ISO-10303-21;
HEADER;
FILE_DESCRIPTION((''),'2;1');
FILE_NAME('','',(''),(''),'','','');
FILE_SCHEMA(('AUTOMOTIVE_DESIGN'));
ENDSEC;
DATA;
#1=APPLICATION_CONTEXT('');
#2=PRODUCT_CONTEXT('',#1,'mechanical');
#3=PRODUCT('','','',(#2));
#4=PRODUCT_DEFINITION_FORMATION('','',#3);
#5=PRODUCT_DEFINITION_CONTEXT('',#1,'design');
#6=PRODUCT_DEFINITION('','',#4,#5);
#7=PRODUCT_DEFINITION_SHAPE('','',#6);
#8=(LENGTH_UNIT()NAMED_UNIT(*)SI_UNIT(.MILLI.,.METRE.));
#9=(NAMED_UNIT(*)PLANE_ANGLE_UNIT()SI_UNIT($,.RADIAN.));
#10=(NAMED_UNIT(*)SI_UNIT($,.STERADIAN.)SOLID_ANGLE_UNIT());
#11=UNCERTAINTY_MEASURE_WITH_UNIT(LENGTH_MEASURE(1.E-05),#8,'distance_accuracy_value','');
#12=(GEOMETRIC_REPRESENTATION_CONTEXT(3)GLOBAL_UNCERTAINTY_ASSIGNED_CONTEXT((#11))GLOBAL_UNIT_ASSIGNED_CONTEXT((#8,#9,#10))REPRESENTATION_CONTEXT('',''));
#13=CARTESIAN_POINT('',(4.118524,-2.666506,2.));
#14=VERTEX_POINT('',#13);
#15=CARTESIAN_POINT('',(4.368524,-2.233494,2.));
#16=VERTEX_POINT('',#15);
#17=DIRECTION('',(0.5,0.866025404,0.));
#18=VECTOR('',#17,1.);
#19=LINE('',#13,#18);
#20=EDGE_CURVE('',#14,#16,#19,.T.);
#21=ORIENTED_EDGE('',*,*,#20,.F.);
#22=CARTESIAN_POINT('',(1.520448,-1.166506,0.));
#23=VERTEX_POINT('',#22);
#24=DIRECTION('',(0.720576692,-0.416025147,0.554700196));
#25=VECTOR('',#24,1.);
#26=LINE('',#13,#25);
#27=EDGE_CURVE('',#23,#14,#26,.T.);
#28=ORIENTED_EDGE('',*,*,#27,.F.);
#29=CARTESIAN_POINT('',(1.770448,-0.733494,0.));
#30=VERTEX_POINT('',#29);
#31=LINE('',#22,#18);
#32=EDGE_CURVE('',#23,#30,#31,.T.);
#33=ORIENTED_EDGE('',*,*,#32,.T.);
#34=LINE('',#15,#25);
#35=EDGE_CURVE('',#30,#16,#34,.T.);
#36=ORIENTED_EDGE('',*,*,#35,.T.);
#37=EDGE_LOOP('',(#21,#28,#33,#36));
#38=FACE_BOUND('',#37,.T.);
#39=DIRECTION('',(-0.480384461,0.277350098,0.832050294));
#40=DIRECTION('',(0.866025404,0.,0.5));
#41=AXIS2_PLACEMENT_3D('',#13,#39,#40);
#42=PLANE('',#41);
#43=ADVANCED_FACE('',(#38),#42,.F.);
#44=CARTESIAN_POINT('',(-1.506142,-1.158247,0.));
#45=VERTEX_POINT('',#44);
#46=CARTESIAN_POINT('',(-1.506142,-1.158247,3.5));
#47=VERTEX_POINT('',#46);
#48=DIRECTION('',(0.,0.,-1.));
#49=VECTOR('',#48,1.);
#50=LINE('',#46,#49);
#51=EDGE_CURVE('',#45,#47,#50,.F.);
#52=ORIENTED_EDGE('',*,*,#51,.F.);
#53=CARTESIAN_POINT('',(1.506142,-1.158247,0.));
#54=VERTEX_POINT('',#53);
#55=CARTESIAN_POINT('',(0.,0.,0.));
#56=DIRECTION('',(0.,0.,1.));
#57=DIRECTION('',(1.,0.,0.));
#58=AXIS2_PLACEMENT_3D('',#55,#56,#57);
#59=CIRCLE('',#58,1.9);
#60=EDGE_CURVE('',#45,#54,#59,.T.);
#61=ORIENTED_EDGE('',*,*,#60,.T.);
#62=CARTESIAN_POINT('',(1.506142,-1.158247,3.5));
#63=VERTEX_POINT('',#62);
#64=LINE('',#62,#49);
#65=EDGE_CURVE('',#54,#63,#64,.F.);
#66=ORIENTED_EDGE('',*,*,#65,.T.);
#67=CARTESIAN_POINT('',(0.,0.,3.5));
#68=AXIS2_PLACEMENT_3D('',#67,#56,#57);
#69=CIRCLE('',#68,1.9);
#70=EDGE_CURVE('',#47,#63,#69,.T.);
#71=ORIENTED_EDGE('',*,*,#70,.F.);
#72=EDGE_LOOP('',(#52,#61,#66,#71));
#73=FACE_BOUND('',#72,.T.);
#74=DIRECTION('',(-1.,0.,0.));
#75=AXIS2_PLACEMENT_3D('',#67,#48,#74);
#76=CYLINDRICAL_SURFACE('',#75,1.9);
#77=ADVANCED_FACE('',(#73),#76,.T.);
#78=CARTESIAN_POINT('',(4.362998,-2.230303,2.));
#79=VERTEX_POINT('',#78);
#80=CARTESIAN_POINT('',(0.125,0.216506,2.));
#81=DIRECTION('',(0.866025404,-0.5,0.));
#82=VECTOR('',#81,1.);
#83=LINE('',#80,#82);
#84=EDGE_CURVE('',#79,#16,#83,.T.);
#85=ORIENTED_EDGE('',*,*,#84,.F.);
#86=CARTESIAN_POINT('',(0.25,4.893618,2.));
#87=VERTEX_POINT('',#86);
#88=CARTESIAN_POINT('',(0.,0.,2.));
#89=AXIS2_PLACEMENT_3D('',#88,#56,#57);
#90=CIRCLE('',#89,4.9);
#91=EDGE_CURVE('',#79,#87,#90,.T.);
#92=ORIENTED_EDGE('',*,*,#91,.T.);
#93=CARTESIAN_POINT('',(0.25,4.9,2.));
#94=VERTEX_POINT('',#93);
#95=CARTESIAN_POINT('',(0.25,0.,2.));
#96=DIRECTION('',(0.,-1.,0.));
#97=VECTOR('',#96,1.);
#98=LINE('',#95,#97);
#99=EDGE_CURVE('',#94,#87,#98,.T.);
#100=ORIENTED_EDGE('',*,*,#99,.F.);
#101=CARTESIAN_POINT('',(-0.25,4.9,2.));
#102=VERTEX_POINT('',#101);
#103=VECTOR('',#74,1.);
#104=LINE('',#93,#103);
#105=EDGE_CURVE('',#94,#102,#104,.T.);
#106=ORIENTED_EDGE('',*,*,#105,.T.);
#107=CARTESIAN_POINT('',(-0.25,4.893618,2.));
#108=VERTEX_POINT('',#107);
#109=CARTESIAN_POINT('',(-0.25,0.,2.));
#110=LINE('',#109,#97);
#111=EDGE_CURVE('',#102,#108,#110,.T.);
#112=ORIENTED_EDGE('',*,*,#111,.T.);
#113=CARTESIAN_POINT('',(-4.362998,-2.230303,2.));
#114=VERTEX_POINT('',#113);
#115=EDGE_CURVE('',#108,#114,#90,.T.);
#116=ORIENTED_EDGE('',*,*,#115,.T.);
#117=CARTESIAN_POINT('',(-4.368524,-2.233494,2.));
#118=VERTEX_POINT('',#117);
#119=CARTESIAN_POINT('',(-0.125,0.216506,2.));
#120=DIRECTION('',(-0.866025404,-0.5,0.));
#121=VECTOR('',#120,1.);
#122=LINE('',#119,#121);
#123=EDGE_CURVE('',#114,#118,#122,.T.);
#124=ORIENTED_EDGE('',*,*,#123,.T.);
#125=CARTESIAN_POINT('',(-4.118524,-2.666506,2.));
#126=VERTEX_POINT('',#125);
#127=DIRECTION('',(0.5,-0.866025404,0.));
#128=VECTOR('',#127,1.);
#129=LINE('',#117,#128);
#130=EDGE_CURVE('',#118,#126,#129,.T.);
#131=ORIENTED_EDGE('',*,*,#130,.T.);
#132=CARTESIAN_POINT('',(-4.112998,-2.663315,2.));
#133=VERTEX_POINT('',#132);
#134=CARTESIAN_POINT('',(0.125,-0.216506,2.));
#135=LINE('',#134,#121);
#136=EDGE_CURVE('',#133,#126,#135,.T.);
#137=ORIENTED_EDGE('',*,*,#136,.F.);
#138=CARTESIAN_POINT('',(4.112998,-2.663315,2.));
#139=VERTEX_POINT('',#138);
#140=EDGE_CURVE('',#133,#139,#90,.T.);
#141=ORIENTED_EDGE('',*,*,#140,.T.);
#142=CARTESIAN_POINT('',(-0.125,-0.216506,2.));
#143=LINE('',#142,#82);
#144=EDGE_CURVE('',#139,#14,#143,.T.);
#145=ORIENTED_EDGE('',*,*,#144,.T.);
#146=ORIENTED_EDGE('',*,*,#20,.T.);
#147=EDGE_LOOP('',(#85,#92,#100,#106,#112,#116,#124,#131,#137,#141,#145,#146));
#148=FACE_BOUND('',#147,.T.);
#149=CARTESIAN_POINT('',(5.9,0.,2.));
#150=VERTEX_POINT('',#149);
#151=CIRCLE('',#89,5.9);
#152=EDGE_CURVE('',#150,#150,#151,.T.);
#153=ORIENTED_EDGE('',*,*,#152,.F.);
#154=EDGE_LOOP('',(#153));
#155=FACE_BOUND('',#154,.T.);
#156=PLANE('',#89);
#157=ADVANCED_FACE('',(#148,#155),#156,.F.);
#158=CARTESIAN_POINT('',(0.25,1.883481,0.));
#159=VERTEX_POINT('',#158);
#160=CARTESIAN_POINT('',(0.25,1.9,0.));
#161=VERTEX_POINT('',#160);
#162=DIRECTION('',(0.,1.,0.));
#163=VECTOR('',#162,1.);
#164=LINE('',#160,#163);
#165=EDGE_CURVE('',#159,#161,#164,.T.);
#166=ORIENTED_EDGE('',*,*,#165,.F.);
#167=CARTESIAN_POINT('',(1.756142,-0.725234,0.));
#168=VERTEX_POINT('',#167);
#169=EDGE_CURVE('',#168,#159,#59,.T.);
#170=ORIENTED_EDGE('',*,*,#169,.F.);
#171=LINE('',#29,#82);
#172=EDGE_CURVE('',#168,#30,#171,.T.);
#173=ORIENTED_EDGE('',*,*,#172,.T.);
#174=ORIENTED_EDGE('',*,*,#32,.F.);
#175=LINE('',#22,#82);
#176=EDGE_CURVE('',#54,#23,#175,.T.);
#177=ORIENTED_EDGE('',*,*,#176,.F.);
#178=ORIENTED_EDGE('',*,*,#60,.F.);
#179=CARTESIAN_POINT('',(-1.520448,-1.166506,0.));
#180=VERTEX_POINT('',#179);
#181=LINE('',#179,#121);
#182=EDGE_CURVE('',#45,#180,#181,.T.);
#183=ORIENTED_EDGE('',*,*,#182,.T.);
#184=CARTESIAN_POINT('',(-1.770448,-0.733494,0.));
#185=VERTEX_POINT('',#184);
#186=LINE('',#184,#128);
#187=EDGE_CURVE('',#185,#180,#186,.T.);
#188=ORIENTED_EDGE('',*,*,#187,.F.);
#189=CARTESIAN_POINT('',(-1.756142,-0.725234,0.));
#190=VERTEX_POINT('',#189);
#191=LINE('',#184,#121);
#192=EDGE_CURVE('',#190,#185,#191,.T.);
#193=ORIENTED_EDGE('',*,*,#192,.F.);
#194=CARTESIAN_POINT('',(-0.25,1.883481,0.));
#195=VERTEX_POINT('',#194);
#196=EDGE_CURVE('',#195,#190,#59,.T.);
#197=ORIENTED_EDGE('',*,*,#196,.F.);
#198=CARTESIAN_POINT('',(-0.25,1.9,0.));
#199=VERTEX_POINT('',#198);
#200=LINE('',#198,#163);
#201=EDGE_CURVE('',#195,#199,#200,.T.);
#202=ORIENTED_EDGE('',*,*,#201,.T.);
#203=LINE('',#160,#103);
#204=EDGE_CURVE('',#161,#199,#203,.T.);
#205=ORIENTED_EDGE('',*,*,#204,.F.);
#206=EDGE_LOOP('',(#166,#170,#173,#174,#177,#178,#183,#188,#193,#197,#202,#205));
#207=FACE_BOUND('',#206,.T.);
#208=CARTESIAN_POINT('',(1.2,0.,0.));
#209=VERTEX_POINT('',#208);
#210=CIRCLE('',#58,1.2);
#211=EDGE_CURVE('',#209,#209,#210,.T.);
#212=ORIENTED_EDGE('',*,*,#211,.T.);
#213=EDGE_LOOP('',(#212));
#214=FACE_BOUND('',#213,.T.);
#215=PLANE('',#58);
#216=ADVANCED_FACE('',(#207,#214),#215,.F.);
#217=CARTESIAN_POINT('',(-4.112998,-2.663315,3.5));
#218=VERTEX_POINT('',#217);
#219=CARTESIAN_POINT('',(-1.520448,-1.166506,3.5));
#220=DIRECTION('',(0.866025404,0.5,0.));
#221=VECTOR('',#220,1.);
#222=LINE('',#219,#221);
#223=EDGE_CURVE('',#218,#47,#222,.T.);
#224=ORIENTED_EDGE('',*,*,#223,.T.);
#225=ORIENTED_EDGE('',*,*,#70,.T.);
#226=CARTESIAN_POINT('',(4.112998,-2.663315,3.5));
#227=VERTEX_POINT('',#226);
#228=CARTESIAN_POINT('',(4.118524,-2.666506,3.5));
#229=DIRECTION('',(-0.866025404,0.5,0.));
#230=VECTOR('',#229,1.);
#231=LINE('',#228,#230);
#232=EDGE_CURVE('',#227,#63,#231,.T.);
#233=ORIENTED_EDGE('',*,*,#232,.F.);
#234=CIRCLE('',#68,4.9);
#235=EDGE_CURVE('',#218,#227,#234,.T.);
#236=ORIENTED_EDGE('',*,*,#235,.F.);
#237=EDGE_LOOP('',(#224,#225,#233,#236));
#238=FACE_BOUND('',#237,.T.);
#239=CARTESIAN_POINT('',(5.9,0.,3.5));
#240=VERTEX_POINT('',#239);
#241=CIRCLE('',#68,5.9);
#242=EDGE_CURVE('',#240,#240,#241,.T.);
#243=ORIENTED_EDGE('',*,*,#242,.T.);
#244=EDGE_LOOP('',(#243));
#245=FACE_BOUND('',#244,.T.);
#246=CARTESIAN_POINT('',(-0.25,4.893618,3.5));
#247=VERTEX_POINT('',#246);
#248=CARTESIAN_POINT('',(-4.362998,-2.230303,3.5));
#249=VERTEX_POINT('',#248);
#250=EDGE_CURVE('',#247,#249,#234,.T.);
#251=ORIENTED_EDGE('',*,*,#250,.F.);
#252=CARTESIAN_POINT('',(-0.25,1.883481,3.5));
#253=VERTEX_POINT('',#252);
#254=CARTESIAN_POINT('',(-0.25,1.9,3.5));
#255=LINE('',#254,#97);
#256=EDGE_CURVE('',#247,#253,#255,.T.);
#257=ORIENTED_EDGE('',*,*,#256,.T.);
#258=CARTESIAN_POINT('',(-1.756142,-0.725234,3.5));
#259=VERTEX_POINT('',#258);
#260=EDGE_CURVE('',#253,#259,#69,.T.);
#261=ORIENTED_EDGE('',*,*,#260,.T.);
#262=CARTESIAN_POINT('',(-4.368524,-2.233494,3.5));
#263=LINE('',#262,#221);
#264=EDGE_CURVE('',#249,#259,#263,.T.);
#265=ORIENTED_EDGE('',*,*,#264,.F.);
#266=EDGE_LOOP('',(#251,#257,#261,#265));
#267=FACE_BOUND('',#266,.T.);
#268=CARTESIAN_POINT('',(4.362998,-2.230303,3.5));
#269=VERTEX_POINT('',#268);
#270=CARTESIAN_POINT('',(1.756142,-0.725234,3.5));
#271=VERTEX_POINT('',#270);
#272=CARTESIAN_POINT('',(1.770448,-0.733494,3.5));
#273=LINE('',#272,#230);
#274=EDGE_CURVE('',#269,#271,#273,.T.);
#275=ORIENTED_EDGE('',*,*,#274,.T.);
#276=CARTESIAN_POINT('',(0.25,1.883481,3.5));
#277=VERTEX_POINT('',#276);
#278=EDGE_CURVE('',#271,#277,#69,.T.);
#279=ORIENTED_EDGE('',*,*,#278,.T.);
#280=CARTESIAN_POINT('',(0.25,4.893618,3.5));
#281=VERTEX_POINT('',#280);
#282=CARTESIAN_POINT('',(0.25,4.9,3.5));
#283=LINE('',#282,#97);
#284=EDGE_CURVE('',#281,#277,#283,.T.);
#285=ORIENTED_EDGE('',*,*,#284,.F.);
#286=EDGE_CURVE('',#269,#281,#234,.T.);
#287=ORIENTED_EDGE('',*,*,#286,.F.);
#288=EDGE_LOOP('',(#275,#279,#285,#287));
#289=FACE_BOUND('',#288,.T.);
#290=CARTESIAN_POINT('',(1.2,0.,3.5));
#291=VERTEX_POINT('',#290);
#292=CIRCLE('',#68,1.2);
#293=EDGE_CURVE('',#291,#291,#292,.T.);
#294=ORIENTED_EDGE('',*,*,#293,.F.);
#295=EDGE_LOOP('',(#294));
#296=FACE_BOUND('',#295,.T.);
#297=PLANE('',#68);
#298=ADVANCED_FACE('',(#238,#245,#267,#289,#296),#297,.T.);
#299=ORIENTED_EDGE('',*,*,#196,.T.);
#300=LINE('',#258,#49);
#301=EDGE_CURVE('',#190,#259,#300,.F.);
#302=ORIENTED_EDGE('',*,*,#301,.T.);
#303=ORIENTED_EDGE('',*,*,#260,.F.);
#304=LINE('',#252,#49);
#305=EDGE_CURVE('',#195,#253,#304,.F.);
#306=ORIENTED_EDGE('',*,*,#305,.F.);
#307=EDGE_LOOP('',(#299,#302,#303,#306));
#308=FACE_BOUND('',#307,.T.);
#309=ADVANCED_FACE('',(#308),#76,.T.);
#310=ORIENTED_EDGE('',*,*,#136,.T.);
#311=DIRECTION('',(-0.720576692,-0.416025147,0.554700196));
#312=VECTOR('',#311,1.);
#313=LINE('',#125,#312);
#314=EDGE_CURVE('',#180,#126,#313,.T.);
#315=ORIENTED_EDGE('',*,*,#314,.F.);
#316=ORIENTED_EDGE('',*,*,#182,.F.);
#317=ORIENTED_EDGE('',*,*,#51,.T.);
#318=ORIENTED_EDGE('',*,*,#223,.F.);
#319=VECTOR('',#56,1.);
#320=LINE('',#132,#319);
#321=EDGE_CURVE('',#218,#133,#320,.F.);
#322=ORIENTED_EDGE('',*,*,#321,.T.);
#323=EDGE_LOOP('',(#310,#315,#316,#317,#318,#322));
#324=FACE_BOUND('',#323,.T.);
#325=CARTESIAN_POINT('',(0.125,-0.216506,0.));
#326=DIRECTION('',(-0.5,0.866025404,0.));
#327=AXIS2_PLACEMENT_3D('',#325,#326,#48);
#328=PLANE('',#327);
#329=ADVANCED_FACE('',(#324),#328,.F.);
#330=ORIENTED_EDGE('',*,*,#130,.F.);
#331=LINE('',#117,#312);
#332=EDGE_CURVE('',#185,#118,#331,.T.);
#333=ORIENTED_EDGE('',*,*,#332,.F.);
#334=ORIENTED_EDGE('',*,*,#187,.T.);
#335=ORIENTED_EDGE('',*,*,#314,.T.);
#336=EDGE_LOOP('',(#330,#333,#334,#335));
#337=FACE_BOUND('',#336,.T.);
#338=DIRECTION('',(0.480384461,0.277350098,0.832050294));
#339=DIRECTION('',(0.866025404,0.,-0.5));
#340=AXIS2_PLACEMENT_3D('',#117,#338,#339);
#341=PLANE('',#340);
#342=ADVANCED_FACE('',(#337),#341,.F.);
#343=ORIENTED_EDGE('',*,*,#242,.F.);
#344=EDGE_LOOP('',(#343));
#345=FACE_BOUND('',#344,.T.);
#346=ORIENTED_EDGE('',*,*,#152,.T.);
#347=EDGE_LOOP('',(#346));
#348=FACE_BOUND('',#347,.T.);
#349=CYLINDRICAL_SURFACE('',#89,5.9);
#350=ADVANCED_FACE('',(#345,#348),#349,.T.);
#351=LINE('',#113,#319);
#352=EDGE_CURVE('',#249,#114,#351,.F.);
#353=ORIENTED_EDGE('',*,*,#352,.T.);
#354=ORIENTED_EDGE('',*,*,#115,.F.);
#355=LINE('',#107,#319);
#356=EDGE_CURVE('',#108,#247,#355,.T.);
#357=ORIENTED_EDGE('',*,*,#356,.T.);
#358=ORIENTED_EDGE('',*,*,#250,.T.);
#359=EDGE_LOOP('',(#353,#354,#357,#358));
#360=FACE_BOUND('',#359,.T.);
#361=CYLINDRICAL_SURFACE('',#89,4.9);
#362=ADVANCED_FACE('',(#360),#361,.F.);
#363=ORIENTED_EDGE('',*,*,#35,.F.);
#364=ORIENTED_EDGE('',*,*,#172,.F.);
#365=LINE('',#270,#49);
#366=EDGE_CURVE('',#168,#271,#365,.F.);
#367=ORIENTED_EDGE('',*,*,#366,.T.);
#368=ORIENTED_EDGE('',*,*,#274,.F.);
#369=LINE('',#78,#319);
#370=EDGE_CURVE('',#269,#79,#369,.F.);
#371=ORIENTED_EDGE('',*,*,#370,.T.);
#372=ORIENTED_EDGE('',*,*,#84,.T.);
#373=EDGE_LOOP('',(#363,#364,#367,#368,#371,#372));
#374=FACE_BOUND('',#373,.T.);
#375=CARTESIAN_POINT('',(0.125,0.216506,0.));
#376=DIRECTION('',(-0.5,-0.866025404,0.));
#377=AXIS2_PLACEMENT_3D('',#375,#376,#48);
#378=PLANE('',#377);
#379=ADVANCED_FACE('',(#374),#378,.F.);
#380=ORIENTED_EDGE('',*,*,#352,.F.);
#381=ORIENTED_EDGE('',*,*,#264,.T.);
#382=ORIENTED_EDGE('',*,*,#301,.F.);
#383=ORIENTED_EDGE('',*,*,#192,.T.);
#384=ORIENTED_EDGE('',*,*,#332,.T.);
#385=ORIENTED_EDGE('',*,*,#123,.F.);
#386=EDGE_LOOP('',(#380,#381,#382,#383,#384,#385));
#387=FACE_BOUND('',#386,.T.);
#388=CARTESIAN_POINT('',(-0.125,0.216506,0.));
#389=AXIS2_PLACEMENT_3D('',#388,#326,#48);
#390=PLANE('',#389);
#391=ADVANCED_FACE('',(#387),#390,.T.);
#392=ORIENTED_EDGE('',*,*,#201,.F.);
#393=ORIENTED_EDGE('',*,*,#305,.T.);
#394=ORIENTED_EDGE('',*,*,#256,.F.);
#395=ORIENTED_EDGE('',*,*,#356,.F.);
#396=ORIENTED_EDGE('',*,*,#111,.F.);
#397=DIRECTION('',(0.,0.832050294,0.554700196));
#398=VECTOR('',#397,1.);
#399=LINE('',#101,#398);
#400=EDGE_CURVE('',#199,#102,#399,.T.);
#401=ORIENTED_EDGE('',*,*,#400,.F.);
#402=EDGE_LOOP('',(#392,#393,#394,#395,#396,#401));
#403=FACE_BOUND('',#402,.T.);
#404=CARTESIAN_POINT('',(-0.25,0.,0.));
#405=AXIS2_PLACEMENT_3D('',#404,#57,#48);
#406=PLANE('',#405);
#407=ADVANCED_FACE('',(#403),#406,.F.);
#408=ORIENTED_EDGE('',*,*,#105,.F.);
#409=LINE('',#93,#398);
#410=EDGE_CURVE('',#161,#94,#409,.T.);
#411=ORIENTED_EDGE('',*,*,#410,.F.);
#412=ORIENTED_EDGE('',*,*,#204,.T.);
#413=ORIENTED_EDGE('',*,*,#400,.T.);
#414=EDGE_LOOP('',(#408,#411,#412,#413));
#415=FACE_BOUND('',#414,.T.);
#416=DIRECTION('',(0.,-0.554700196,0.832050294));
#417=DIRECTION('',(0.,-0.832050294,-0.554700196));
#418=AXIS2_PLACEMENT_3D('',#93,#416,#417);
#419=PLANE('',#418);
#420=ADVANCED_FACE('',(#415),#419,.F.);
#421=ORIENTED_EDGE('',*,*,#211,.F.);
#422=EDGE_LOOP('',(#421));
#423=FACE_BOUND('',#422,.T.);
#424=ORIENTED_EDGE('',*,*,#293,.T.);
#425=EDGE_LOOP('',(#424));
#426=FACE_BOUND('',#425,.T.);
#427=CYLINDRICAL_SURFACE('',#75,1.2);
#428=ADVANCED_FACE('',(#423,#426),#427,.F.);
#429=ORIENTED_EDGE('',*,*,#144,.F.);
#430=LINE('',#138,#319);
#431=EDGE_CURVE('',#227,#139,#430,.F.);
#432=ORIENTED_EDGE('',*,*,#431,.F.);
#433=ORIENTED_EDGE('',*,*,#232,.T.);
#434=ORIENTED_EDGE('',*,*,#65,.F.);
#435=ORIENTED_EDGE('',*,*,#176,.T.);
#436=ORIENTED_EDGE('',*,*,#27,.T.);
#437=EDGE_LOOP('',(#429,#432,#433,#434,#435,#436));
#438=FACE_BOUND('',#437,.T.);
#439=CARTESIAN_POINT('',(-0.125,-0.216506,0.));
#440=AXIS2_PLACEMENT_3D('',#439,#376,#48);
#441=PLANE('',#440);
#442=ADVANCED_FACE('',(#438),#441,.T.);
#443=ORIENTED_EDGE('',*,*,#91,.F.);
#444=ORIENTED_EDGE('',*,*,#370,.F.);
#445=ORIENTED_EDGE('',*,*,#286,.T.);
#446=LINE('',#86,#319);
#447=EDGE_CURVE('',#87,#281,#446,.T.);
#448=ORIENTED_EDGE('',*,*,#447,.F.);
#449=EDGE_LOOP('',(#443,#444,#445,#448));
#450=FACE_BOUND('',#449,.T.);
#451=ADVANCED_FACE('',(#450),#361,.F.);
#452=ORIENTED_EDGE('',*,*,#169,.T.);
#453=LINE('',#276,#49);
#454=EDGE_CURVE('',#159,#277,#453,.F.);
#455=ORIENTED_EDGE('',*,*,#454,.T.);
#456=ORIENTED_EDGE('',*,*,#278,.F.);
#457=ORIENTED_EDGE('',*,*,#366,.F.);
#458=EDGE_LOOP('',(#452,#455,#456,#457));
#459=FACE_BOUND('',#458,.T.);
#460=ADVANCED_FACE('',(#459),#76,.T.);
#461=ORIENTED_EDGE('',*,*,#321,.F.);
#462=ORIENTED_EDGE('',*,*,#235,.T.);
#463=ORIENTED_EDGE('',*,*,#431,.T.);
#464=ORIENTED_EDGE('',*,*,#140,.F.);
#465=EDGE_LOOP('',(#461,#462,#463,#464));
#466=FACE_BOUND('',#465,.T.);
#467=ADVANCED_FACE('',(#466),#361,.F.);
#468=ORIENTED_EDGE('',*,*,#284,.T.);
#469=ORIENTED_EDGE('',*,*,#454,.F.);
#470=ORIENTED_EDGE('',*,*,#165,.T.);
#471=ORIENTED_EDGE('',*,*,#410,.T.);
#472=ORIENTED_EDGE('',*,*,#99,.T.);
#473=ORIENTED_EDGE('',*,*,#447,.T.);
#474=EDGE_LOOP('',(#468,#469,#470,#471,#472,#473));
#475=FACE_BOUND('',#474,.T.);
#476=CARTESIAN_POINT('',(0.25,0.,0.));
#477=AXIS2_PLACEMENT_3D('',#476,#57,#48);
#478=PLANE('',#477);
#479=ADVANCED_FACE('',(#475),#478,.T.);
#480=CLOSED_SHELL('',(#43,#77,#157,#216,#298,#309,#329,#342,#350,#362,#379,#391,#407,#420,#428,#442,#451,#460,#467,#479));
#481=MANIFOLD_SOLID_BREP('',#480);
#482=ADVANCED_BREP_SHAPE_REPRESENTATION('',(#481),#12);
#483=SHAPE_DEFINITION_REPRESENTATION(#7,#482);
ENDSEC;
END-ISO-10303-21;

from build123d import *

# Parameters (mm, degrees)
SKETCH1_R           = 1.9
SKETCH1_R_2         = 1.2
BOSS_EXTRUDE1_DEPTH = 3.5
SKETCH2_R           = 5.9
SKETCH2_R_2         = 4.9
BOSS_EXTRUDE2_DEPTH = 1.5
BOSS_EXTRUDE7_DEPTH = 0.25
CIRPATTERN1_COUNT   = 3


with BuildPart() as part:
    # Sketch1 → Boss-Extrude1 (new body)
    with BuildSketch(Plane.XY):
        Circle(SKETCH1_R)
        Circle(SKETCH1_R_2, mode=Mode.SUBTRACT)
    extrude(amount=BOSS_EXTRUDE1_DEPTH)



with BuildPart() as body_2:
    # Sketch2 → Boss-Extrude2 (new body)
    with BuildSketch(Plane.XY.offset(3.5)):
        Circle(SKETCH2_R)
        Circle(SKETCH2_R_2, mode=Mode.SUBTRACT)
    extrude(amount=-BOSS_EXTRUDE2_DEPTH)


with BuildPart() as part_1:
    add(part.part)

    add(body_2.part)  # Boss-Extrude7 merges body 2
    # Sketch3 → Boss-Extrude7 (add, symmetric)
    with BuildSketch(Plane(origin=(0, 0, 0), x_dir=(0, 0, -1), z_dir=(1, 0, 0))):
        Polygon((-3.5, 4.9), (-2, 4.9), (0, 1.9), (0, 1.7), (-3.5, 1.7), (-3.5, 1.9), align=None)
    boss_extrude7 = extrude(amount=BOSS_EXTRUDE7_DEPTH, both=True)

    # CirPattern1: Boss-Extrude7 ×3 about axis
    cirpattern1_axis = Axis((0, 0, 0), (0, 0, 1))
    for i in range(1, CIRPATTERN1_COUNT):
        add(boss_extrude7.rotate(cirpattern1_axis, i * 360 / CIRPATTERN1_COUNT))


solid = part_1.part
